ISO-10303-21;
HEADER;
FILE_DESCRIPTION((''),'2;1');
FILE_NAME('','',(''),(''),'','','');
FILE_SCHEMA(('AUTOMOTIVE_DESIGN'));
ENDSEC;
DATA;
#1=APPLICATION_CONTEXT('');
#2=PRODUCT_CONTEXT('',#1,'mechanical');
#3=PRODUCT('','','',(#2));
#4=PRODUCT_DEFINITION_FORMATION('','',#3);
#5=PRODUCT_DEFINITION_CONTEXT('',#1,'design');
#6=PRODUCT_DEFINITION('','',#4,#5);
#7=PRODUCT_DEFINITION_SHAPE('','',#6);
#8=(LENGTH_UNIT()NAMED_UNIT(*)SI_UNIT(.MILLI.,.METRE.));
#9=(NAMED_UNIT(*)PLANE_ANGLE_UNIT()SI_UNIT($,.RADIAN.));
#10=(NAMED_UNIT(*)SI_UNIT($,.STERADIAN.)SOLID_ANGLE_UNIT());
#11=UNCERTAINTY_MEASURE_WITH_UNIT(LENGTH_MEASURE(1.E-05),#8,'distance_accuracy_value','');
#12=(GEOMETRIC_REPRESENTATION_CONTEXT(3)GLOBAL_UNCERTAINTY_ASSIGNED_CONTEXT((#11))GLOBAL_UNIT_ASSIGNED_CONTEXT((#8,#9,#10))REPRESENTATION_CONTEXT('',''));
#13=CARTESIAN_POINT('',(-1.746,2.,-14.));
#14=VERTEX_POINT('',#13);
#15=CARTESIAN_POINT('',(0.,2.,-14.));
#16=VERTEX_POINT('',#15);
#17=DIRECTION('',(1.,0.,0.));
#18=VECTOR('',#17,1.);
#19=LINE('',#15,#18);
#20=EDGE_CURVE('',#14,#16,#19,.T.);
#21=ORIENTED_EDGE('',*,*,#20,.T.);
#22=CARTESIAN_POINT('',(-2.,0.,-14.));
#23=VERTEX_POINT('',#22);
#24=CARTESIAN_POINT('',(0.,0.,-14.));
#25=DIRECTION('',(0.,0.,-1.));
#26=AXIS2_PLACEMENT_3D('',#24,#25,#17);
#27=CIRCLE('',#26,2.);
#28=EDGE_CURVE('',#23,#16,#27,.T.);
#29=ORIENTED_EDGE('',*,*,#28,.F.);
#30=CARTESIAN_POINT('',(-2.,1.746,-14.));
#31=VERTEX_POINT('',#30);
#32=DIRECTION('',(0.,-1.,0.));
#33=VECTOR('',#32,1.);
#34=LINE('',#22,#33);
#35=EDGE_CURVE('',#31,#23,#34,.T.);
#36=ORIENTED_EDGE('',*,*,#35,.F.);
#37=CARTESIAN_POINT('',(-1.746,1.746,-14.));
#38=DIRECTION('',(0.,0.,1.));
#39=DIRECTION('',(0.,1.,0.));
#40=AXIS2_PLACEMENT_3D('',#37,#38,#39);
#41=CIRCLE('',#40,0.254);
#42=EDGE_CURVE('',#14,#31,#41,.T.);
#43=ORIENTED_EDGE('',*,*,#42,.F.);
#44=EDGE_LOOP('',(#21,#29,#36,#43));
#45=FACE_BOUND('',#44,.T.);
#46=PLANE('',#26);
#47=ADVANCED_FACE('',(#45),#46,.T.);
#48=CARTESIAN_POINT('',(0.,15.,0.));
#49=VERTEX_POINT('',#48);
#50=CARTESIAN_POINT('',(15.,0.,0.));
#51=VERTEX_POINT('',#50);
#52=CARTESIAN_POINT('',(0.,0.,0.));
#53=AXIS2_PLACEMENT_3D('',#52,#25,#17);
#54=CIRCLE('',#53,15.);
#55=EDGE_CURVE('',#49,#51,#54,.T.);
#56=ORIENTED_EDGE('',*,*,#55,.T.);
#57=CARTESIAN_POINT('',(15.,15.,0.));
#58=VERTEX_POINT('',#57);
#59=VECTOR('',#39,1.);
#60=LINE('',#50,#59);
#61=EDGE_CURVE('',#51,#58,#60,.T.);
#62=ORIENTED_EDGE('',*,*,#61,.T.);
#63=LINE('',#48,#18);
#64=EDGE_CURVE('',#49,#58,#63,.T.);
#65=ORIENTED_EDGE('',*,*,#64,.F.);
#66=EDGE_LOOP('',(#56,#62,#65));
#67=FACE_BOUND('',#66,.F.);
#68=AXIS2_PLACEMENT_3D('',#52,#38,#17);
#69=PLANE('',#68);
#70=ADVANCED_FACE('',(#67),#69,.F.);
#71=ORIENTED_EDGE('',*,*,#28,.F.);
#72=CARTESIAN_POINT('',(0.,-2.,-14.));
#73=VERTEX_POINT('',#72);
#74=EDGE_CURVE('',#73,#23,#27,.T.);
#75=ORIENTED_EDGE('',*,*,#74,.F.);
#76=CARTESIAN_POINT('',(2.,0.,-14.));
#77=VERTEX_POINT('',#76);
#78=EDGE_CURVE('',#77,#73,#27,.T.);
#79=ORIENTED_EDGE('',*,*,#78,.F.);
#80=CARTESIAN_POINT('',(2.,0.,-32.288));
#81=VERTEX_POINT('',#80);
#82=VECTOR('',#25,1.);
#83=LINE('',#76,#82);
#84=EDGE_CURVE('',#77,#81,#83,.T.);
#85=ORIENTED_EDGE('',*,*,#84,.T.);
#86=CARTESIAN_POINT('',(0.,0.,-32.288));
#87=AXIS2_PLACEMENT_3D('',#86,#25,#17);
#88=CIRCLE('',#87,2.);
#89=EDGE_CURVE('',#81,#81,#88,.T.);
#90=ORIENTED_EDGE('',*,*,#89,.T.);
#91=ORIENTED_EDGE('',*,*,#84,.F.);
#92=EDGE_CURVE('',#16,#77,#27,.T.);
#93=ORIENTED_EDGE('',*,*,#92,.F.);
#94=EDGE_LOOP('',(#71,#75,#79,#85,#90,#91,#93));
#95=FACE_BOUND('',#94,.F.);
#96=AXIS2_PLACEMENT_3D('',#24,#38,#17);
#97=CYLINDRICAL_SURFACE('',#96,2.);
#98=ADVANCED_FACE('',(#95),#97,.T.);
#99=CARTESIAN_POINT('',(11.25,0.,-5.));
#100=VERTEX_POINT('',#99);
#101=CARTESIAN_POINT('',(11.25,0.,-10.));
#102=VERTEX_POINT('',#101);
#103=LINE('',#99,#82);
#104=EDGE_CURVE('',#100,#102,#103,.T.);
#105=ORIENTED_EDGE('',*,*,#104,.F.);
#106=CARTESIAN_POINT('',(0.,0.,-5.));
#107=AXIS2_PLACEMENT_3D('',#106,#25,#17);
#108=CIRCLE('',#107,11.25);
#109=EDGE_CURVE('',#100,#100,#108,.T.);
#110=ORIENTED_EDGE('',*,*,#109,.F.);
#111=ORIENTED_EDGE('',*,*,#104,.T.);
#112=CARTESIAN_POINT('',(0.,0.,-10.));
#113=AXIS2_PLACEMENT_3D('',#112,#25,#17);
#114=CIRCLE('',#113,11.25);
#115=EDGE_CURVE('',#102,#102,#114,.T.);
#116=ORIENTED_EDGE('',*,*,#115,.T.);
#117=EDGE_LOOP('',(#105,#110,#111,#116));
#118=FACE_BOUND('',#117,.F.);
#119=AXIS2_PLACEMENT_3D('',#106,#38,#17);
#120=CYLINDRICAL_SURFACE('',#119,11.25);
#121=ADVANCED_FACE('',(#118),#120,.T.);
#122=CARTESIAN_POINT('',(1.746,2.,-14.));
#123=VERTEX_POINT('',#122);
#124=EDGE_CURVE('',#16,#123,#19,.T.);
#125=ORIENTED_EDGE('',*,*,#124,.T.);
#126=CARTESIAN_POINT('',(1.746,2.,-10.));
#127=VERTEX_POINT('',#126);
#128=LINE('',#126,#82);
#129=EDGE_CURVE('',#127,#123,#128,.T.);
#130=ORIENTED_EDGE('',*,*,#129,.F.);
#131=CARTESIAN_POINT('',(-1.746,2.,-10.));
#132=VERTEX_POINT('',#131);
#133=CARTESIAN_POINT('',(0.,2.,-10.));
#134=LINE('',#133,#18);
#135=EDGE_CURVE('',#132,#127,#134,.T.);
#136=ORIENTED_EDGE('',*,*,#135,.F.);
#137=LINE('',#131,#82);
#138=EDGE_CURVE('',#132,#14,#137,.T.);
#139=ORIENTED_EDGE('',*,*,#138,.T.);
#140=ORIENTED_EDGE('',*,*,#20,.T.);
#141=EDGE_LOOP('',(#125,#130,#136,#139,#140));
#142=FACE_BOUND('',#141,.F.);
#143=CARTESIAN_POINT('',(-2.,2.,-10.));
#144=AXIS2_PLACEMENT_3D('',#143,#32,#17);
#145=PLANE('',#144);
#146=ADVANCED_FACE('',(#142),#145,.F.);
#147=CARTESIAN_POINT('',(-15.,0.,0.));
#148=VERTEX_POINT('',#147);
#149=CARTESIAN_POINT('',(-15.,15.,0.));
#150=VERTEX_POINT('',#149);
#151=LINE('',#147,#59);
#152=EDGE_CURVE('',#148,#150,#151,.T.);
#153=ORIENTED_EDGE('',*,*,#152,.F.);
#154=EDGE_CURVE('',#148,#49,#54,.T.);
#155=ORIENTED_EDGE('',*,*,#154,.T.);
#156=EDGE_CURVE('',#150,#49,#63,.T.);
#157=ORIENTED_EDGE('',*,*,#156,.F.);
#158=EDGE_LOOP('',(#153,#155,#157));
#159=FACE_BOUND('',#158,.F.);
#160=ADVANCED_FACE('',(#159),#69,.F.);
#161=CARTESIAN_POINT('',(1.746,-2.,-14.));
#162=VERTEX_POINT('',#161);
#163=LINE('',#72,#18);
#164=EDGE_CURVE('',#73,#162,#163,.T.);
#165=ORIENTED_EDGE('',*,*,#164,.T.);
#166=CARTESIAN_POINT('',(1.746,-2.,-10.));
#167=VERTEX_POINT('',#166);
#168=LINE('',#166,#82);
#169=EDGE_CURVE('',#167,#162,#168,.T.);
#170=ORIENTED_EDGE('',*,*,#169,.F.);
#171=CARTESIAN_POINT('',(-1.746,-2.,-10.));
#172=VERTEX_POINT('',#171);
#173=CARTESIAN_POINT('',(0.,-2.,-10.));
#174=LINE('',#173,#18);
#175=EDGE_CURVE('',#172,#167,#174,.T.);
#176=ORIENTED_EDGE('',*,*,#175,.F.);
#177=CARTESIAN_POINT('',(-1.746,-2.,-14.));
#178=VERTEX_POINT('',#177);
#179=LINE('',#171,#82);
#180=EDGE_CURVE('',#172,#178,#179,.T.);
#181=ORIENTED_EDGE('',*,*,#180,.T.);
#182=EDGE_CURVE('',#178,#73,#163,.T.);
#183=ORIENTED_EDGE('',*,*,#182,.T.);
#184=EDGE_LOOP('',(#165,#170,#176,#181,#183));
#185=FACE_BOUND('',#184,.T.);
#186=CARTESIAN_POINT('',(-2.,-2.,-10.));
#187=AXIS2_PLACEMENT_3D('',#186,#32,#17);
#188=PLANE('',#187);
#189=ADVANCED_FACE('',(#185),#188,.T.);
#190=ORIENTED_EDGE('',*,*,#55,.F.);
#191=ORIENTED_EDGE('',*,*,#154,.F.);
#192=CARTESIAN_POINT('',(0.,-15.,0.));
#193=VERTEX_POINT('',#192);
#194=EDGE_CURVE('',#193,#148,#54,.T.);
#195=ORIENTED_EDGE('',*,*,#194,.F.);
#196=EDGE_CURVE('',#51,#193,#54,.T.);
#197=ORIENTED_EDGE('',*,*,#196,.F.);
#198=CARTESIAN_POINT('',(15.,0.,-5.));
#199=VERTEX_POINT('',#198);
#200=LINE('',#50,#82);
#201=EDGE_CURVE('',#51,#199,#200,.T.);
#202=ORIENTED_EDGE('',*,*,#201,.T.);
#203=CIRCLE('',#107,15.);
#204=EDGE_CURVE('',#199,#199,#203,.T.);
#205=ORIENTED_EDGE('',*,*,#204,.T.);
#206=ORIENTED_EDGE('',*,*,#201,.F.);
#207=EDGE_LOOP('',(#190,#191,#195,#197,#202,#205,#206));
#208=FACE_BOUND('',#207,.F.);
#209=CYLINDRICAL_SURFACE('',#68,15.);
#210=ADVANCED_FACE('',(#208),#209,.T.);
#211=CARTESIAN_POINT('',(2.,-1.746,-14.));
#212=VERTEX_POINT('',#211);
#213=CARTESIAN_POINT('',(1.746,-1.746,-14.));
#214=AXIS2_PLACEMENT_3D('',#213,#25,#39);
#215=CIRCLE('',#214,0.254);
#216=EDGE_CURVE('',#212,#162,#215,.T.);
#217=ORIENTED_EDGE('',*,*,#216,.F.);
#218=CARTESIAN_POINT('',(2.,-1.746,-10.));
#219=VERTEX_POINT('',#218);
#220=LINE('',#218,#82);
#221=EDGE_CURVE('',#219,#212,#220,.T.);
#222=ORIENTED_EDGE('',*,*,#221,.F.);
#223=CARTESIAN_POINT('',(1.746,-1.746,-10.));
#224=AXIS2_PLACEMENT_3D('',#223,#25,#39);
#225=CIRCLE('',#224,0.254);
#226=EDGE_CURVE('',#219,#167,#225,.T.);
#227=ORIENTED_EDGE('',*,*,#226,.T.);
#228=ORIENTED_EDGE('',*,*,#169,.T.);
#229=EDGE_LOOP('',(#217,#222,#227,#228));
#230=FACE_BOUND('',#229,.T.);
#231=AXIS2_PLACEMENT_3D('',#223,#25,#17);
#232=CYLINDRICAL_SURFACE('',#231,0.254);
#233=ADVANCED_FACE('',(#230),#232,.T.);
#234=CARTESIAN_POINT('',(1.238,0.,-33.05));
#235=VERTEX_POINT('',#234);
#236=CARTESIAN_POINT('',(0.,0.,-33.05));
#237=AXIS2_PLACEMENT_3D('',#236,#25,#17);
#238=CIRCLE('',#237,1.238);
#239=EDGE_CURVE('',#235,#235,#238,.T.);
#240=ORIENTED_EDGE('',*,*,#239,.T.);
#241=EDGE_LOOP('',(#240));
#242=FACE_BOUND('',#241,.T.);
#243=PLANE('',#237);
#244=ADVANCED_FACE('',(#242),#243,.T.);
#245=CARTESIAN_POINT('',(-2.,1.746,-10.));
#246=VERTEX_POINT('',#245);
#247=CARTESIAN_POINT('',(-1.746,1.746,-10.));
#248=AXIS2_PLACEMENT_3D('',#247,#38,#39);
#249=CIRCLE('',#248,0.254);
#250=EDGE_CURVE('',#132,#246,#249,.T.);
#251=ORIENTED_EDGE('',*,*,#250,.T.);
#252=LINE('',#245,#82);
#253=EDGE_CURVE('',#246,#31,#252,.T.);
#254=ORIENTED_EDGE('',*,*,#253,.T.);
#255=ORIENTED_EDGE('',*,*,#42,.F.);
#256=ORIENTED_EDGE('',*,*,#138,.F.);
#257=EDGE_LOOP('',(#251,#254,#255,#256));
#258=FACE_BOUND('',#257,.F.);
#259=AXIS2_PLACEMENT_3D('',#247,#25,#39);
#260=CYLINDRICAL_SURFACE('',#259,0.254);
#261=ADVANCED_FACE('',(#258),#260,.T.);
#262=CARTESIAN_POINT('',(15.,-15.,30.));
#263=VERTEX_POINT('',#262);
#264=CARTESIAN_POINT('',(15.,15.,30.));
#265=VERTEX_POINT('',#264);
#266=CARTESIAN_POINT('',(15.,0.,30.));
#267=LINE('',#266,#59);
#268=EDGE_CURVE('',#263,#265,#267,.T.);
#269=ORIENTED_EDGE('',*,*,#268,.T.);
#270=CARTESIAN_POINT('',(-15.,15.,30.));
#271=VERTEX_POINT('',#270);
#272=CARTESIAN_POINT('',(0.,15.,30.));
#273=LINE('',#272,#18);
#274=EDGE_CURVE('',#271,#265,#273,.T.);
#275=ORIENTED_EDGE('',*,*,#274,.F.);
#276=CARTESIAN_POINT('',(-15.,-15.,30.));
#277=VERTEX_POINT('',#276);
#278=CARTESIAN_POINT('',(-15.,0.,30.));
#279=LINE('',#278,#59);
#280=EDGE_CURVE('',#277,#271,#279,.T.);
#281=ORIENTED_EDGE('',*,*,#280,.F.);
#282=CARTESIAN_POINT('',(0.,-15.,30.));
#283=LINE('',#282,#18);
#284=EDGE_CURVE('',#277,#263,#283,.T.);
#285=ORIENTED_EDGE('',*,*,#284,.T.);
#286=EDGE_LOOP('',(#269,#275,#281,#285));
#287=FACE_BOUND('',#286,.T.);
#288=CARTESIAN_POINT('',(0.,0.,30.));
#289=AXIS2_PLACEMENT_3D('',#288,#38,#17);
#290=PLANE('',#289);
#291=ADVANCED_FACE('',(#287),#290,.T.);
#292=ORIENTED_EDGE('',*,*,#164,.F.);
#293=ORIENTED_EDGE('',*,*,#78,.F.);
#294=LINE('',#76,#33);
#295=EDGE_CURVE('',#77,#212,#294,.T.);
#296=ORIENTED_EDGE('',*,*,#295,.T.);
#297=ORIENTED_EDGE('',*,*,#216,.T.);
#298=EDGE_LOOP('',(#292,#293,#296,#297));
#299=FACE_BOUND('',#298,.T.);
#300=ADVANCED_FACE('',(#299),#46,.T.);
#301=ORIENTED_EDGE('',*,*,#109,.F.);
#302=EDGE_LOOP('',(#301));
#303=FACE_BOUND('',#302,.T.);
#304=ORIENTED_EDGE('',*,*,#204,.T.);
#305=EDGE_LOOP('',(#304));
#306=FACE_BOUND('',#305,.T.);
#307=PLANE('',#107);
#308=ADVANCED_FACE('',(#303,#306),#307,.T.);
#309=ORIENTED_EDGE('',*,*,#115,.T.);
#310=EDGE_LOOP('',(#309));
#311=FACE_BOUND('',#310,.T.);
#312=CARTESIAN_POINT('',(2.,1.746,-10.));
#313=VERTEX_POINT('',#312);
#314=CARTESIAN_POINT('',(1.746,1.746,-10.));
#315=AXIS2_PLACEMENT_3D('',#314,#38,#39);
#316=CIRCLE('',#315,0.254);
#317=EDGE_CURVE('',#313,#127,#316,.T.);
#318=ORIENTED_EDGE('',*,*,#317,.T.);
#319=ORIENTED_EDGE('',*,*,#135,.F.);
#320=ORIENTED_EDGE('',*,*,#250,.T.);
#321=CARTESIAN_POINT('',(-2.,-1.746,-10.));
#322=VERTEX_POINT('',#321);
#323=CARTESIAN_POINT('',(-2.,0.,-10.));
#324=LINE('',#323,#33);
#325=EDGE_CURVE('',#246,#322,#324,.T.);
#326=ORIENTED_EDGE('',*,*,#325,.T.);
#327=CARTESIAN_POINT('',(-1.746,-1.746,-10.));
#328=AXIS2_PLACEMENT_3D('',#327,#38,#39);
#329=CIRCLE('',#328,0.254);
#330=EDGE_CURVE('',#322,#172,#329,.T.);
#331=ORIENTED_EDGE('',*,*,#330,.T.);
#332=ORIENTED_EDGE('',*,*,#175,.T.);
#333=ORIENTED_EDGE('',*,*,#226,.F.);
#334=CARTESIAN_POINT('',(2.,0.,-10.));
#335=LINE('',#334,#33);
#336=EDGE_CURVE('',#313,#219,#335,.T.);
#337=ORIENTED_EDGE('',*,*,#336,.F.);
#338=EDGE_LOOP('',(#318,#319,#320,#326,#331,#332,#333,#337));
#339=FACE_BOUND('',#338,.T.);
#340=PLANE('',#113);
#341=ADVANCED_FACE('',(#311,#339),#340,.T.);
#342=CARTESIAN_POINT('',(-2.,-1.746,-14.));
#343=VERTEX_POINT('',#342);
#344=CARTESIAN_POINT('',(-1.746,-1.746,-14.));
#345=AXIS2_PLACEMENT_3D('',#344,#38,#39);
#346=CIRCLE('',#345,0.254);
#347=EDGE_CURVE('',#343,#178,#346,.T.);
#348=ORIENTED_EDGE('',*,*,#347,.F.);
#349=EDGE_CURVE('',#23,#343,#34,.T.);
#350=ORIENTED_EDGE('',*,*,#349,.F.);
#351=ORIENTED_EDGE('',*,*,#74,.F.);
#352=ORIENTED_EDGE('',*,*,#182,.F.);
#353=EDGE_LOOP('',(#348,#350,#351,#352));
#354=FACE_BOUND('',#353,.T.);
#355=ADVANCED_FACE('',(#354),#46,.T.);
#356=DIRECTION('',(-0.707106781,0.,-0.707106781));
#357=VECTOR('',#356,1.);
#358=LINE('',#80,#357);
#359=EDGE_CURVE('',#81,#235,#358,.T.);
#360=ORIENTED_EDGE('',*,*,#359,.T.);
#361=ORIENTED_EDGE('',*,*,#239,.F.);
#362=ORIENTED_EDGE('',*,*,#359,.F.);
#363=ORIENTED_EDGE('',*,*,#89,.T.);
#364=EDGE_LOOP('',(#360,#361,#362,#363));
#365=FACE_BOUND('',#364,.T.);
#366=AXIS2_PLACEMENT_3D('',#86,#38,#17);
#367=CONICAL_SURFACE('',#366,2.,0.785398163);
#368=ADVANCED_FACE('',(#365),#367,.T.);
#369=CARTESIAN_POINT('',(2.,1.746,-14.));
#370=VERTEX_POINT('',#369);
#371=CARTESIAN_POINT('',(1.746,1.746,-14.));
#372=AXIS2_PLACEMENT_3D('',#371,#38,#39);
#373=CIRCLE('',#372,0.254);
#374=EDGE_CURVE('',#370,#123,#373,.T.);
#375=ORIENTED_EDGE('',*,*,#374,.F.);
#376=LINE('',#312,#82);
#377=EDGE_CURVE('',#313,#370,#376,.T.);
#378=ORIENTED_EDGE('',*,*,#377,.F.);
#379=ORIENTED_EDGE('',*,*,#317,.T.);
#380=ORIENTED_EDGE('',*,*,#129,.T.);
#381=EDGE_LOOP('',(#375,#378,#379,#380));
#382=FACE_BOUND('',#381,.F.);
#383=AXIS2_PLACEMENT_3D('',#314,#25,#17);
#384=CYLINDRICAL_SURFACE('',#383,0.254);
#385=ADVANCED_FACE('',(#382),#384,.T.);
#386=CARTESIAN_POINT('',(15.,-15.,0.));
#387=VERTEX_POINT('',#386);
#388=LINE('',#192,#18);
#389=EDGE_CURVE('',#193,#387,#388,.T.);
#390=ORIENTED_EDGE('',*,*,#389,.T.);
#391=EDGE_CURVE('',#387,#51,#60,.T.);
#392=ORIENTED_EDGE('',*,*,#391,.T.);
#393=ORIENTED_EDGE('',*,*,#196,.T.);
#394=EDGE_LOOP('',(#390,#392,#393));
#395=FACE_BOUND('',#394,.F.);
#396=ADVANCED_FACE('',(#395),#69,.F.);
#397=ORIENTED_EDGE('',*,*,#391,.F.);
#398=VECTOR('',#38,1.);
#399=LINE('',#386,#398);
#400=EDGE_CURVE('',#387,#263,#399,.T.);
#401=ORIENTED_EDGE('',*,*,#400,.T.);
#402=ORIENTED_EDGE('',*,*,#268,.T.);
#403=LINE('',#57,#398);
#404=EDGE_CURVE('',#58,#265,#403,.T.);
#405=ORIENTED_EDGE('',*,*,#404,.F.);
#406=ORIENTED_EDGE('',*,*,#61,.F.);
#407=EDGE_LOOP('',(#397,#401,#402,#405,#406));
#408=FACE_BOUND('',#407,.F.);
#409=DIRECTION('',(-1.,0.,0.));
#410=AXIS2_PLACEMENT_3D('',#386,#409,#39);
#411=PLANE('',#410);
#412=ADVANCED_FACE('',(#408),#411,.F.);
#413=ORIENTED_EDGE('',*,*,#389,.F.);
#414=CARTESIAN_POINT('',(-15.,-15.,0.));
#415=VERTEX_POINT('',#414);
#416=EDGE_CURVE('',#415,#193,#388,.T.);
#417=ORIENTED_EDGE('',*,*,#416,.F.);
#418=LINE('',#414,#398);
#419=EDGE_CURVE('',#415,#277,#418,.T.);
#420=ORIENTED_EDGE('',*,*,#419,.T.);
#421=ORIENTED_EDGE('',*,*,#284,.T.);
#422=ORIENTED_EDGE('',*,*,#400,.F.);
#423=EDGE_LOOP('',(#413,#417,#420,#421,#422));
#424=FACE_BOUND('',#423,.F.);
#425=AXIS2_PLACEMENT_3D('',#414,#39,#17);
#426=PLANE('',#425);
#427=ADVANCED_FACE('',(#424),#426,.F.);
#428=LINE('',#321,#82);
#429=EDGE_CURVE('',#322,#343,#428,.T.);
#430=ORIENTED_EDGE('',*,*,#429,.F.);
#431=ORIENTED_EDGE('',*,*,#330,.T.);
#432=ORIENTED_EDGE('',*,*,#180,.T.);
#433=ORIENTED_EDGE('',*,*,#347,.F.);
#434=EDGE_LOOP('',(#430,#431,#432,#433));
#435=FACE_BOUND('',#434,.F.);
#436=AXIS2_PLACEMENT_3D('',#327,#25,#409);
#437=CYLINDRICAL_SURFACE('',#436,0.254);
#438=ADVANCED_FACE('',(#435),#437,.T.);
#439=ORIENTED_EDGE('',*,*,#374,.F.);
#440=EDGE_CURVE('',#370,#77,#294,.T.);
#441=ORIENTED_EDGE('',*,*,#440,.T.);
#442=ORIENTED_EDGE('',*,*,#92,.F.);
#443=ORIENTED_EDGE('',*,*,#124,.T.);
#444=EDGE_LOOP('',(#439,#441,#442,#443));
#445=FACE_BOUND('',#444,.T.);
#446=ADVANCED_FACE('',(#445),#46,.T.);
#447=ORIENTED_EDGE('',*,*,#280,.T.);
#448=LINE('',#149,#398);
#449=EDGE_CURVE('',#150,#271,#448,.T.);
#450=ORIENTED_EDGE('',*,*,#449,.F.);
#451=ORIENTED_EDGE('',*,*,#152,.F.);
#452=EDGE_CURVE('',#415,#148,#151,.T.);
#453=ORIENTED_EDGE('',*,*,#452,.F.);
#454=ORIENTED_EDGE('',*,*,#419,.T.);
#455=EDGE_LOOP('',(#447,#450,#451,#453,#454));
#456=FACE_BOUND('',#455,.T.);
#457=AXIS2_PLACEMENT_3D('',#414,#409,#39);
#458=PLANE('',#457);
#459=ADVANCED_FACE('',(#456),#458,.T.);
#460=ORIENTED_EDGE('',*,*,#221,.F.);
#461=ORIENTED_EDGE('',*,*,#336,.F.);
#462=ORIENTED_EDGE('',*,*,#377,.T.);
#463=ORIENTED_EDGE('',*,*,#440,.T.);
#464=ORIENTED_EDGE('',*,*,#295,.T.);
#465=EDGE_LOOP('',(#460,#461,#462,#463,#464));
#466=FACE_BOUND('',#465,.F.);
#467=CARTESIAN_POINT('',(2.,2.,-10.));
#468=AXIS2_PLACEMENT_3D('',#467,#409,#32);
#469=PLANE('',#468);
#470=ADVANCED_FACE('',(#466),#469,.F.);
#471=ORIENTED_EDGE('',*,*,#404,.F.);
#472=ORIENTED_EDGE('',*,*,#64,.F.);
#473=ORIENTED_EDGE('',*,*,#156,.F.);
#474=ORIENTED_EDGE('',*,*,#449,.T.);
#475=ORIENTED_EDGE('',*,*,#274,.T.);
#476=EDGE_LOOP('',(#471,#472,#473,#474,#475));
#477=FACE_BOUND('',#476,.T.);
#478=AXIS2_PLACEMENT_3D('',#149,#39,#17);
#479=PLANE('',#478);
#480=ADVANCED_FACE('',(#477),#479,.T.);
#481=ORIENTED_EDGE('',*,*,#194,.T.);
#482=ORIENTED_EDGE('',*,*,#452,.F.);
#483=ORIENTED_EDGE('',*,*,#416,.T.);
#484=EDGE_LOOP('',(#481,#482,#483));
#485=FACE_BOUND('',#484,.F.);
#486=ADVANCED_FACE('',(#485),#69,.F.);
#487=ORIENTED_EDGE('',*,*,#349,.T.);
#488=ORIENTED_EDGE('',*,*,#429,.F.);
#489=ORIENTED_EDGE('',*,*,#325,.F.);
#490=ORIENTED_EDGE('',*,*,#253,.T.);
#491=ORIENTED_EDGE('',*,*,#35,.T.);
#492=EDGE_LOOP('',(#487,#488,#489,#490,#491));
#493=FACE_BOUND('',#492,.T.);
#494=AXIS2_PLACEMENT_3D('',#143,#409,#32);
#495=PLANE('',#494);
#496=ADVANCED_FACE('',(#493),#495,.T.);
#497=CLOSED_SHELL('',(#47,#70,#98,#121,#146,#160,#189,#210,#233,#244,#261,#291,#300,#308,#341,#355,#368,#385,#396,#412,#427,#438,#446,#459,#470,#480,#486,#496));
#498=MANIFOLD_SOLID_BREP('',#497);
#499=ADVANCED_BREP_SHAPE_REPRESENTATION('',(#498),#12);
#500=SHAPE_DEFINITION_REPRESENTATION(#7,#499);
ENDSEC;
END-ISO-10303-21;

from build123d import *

# Parameters (mm, degrees)
F0_W     = 30
F0_H     = 30
F1_DEPTH = 30
F2_R     = 15
F3_DEPTH = 5
F4_R     = 11.25
F5_DEPTH = 5
F6_W     = 4
F6_H     = 4
F7_DEPTH = 4
F8_R     = 2
F9_DEPTH = 19.05
F10_SIZE = 0.762
F11_R    = 0.254


with BuildPart() as f1:
    # F0 (on Top) → F1 (new body)
    with BuildSketch(Plane.XY):
        Rectangle(F0_W, F0_H)
    extrude(amount=F1_DEPTH)

    # F2 (on face) → F3 (join)
    with BuildSketch(Plane(origin=(0, 0, 0), x_dir=(1, 0, 0), z_dir=(0, 0, -1))):
        Circle(F2_R)
    extrude(amount=F3_DEPTH)

    # F4 (on face) → F5 (join)
    with BuildSketch(Plane(origin=(0, 0, -5), x_dir=(1, 0, 0), z_dir=(0, 0, -1))):
        Circle(F4_R)
    extrude(amount=F5_DEPTH)

    # F6 (on face) → F7 (join)
    with BuildSketch(Plane(origin=(0, 0, -10), x_dir=(1, 0, 0), z_dir=(0, 0, -1))):
        Rectangle(F6_W, F6_H)
    extrude(amount=F7_DEPTH)

    # F8 (on face) → F9 (join)
    with BuildSketch(Plane(origin=(0, 0, -14), x_dir=(1, 0, 0), z_dir=(0, 0, -1))):
        Circle(F8_R)
    extrude(amount=F9_DEPTH)

    # F10
    f10_edges = [f1.edges().sort_by_distance(p)[0] for p in [
        (-2, 0, -33.05),
    ]]
    chamfer(f10_edges, length=F10_SIZE)

    # F11
    f11_edges = [f1.edges().sort_by_distance(p)[0] for p in [
        (-2, 2, -12),
        (-2, -2, -12),
        (2, -2, -12),
        (2, 2, -12),
    ]]
    fillet(f11_edges, radius=F11_R)


solid = f1.part
